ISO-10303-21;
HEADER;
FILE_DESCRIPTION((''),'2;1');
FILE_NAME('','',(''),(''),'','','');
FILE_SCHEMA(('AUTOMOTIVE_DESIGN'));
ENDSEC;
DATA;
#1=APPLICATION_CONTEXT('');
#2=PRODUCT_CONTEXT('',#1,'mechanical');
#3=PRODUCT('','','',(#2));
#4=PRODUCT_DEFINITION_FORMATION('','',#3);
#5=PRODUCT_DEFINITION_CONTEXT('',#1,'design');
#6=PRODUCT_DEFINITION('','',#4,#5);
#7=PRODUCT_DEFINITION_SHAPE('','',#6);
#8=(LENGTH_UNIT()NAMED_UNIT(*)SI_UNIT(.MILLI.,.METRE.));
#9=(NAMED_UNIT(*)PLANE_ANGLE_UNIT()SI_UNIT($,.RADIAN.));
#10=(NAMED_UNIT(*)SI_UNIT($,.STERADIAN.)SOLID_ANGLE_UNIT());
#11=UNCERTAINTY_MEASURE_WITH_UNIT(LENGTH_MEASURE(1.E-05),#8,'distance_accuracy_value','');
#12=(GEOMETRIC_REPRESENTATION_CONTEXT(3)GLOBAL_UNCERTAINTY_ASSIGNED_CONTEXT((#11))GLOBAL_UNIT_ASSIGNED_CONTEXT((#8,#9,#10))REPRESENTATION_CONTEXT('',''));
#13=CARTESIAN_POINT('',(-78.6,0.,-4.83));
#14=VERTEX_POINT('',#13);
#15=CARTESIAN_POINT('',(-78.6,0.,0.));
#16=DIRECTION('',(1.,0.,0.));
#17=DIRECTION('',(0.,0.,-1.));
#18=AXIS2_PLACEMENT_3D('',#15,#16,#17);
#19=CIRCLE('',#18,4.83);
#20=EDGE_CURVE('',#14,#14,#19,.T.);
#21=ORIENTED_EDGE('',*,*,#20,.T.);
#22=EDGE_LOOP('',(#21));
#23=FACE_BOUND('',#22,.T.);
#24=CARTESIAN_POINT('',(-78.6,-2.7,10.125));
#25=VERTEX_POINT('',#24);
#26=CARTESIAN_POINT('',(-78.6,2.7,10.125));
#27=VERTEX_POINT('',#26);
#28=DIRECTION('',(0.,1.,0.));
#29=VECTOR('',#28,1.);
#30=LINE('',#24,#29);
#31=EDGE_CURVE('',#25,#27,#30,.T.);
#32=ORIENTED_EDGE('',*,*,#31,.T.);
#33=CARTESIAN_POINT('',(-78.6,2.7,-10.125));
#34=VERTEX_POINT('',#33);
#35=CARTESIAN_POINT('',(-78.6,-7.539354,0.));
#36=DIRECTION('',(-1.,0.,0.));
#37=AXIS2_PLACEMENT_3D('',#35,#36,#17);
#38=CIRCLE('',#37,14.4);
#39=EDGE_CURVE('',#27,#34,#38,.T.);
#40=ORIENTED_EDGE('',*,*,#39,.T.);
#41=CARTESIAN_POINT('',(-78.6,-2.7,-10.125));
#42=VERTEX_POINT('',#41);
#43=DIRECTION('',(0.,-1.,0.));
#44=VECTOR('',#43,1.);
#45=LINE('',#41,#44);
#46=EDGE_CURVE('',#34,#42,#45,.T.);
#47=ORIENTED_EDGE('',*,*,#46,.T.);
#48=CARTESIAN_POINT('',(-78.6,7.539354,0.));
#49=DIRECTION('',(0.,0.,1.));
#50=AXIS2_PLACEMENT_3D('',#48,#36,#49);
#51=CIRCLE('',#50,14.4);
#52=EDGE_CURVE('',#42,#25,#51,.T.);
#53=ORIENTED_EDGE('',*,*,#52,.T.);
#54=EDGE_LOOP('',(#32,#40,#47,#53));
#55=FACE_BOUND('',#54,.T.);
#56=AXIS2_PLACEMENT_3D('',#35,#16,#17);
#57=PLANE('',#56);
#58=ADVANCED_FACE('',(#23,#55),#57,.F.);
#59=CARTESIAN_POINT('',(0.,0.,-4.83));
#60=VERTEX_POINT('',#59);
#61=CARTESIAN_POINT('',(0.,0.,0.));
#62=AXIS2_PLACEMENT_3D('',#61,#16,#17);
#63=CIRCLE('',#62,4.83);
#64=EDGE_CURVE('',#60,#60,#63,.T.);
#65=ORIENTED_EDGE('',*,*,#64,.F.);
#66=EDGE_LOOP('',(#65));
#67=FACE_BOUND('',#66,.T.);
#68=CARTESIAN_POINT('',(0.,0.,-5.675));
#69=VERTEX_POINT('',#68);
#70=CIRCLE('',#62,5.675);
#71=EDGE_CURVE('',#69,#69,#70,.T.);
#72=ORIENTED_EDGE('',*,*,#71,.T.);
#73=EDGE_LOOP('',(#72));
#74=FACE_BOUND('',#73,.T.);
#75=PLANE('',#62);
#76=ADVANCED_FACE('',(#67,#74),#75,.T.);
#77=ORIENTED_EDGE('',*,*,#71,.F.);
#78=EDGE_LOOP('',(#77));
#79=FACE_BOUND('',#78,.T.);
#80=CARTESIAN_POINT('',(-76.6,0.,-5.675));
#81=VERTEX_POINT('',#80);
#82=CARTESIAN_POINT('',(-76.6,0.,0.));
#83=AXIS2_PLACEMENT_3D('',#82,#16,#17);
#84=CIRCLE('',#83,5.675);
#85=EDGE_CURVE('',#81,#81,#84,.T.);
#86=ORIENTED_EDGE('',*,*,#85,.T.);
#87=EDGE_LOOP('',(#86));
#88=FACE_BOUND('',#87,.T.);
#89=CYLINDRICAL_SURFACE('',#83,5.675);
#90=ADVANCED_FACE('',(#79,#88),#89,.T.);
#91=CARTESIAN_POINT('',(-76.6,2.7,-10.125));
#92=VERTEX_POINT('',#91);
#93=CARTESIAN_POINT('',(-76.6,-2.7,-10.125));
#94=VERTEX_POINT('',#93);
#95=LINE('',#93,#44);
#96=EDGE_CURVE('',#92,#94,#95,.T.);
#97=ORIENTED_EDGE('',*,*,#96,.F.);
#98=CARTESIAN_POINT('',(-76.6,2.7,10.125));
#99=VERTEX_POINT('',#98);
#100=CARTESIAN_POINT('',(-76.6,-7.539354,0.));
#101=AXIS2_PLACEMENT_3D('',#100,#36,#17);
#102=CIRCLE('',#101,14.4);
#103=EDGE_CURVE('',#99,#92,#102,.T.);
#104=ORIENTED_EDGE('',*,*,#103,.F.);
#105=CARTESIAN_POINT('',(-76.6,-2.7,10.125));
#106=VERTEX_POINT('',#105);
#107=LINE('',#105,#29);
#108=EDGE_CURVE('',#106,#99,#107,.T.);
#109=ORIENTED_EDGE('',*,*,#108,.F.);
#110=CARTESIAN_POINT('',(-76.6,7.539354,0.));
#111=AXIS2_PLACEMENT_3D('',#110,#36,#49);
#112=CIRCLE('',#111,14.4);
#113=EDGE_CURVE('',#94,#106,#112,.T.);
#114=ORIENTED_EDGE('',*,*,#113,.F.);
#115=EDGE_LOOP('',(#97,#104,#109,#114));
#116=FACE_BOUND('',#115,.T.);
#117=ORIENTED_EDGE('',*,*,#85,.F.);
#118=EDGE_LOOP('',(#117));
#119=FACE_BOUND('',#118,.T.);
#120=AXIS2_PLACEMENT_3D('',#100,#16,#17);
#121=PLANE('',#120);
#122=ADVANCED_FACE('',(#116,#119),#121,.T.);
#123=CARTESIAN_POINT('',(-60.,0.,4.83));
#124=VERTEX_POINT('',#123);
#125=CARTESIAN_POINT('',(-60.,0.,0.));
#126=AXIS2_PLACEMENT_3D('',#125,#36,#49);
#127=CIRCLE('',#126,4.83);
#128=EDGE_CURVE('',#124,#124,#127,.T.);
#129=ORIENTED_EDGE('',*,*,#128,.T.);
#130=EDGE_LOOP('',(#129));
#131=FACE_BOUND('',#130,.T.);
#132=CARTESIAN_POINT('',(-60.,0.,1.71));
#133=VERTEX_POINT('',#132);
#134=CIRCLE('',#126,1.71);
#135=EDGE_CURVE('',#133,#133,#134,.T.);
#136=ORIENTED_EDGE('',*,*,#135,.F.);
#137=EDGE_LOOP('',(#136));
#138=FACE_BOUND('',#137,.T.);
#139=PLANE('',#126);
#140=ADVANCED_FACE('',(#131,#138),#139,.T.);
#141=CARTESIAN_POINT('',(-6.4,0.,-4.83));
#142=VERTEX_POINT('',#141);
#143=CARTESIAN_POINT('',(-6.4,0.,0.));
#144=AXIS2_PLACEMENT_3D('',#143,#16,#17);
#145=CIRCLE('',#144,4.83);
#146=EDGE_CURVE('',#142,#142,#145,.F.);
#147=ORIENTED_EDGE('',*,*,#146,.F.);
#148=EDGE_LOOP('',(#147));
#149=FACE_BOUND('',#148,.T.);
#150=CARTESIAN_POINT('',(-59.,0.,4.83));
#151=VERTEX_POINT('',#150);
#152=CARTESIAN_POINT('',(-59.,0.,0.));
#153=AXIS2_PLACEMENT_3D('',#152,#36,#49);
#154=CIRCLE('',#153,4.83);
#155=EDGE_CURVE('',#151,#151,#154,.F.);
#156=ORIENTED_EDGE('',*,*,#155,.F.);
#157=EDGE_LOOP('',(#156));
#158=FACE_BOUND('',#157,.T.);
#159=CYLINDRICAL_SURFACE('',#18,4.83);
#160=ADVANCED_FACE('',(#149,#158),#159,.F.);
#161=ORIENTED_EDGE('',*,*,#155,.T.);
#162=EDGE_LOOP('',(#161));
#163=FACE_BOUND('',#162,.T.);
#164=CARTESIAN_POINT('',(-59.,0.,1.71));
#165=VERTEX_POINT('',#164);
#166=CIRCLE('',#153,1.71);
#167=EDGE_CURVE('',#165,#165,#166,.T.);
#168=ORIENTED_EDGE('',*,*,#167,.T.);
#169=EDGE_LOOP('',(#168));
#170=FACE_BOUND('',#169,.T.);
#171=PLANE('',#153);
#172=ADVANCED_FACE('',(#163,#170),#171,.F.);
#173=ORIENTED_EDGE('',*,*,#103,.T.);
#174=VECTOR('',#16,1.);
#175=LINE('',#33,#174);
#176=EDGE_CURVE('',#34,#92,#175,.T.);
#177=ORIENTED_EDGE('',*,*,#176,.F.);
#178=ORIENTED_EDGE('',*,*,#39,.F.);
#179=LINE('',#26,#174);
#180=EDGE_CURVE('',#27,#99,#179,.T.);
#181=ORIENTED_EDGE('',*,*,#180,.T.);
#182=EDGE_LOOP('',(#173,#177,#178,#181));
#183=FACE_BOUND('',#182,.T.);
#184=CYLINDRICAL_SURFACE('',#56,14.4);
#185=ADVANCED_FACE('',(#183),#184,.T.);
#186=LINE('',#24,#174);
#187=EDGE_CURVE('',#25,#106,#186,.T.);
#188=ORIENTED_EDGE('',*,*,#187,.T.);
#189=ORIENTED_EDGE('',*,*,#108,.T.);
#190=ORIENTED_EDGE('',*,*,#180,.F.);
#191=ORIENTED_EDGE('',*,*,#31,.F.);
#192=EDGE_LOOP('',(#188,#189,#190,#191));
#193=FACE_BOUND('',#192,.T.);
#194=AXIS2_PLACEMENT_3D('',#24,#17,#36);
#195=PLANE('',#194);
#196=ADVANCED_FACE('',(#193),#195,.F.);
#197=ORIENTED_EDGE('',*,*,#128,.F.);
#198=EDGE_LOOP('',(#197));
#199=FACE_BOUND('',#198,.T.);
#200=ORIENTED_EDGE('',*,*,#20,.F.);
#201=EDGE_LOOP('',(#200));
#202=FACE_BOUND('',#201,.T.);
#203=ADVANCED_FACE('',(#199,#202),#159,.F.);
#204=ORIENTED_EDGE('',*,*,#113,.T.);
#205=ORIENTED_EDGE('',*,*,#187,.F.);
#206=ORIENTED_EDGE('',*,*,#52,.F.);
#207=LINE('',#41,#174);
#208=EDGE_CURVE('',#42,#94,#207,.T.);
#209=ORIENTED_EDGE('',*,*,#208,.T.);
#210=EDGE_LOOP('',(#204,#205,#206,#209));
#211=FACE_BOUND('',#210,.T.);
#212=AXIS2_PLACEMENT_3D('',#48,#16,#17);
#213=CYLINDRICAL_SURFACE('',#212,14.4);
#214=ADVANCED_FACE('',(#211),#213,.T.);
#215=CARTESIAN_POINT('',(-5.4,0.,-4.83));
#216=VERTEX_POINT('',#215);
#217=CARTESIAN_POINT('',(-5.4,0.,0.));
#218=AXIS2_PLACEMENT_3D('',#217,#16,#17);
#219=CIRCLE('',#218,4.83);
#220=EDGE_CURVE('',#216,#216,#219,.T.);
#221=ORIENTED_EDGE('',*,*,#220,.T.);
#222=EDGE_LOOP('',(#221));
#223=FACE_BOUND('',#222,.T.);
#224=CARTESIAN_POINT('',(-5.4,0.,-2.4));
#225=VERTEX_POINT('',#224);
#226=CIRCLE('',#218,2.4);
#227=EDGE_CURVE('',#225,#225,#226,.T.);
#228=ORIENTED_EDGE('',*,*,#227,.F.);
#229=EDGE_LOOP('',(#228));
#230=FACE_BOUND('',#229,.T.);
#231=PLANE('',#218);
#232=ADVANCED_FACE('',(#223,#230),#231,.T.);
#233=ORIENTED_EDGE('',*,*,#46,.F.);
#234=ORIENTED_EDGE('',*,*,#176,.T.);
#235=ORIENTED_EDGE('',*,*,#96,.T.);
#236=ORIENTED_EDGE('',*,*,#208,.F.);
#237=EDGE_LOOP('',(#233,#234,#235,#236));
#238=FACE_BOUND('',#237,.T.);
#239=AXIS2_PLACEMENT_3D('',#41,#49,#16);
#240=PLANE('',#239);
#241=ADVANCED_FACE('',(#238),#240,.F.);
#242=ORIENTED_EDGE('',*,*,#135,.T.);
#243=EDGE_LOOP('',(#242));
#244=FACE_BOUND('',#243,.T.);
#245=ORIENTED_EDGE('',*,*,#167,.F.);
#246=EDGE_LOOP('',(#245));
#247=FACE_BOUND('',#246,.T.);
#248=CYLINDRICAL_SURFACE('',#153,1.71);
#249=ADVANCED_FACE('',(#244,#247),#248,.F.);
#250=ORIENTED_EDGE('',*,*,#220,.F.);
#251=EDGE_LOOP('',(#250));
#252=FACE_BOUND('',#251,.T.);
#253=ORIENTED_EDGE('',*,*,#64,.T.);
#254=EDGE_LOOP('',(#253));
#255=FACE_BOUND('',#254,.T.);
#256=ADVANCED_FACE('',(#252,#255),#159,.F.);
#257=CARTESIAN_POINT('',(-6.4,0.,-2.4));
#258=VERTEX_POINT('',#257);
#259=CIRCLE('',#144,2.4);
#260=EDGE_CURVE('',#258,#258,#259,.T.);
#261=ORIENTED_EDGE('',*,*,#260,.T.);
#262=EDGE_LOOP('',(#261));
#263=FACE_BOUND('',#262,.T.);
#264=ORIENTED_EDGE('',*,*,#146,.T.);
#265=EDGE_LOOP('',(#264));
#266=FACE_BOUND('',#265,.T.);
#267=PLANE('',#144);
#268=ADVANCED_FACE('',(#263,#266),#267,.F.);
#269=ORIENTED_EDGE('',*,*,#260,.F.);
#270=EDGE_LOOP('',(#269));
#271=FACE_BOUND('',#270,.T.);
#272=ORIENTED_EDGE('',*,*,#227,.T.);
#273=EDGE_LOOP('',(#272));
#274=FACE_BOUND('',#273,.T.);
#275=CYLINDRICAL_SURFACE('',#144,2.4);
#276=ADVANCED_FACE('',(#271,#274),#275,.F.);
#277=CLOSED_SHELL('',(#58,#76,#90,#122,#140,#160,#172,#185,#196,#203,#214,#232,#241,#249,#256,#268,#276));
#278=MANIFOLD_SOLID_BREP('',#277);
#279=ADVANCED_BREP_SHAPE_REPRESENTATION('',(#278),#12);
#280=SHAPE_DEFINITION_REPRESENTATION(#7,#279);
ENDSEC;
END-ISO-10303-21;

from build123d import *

# Parameters (mm, degrees)
SKETCH1_R           = 5.675
BOSS_EXTRUDE1_DEPTH = 76.6
BOSS_EXTRUDE2_DEPTH = 2
SKETCH3_R           = 4.83
CUT_EXTRUDE1_DEPTH  = 80.545861523
BOSS_EXTRUDE3_START = -1
SKETCH4_R           = 4.83
SKETCH4_R_2         = 1.71
BOSS_EXTRUDE3_DEPTH = 1
SKETCH5_R           = 4.83
SKETCH5_R_2         = 2.4
BOSS_EXTRUDE4_DEPTH = 1


with BuildPart() as part:
    # Sketch1 → Boss-Extrude1 (new body)
    with BuildSketch(Plane(origin=(0, 0, 0), x_dir=(0, 0, -1), z_dir=(1, 0, 0))):
        Circle(SKETCH1_R)
    extrude(amount=-BOSS_EXTRUDE1_DEPTH)

    # Sketch2 → Boss-Extrude2 (add)
    with BuildSketch(Plane.ZY.offset(76.6)):
        with BuildLine():
            Line((-10.125, -2.7), (-10.125, 2.7))
            ThreePointArc((-10.125, 2.7), (0, 6.860645772), (10.125, 2.7))
            Line((10.125, 2.7), (10.125, -2.7))
            ThreePointArc((10.125, -2.7), (0, -6.860645772), (-10.125, -2.7))
        make_face()
    extrude(amount=BOSS_EXTRUDE2_DEPTH)

    # Sketch3 → Cut-Extrude1 (cut, through all)
    with BuildSketch(Plane(origin=(0, 0, 0), x_dir=(0, 0, -1), z_dir=(1, 0, 0))):
        Circle(SKETCH3_R)
    extrude(amount=-CUT_EXTRUDE1_DEPTH, mode=Mode.SUBTRACT)

    # Sketch4 → Boss-Extrude3 (add)
    with BuildSketch(Plane.ZY.offset(60).offset(BOSS_EXTRUDE3_START)):
        with Locations(Location((0, 0, 0), (0, 0, 180))):
            Circle(SKETCH4_R)
        Circle(SKETCH4_R_2, mode=Mode.SUBTRACT)
    extrude(amount=BOSS_EXTRUDE3_DEPTH)

    # Sketch5 → Boss-Extrude4 (add)
    with BuildSketch(Plane(origin=(-5.4, 0, 0), x_dir=(0, 0, -1), z_dir=(1, 0, 0))):
        Circle(SKETCH5_R)
        Circle(SKETCH5_R_2, mode=Mode.SUBTRACT)
    extrude(amount=-BOSS_EXTRUDE4_DEPTH)


solid = part.part
